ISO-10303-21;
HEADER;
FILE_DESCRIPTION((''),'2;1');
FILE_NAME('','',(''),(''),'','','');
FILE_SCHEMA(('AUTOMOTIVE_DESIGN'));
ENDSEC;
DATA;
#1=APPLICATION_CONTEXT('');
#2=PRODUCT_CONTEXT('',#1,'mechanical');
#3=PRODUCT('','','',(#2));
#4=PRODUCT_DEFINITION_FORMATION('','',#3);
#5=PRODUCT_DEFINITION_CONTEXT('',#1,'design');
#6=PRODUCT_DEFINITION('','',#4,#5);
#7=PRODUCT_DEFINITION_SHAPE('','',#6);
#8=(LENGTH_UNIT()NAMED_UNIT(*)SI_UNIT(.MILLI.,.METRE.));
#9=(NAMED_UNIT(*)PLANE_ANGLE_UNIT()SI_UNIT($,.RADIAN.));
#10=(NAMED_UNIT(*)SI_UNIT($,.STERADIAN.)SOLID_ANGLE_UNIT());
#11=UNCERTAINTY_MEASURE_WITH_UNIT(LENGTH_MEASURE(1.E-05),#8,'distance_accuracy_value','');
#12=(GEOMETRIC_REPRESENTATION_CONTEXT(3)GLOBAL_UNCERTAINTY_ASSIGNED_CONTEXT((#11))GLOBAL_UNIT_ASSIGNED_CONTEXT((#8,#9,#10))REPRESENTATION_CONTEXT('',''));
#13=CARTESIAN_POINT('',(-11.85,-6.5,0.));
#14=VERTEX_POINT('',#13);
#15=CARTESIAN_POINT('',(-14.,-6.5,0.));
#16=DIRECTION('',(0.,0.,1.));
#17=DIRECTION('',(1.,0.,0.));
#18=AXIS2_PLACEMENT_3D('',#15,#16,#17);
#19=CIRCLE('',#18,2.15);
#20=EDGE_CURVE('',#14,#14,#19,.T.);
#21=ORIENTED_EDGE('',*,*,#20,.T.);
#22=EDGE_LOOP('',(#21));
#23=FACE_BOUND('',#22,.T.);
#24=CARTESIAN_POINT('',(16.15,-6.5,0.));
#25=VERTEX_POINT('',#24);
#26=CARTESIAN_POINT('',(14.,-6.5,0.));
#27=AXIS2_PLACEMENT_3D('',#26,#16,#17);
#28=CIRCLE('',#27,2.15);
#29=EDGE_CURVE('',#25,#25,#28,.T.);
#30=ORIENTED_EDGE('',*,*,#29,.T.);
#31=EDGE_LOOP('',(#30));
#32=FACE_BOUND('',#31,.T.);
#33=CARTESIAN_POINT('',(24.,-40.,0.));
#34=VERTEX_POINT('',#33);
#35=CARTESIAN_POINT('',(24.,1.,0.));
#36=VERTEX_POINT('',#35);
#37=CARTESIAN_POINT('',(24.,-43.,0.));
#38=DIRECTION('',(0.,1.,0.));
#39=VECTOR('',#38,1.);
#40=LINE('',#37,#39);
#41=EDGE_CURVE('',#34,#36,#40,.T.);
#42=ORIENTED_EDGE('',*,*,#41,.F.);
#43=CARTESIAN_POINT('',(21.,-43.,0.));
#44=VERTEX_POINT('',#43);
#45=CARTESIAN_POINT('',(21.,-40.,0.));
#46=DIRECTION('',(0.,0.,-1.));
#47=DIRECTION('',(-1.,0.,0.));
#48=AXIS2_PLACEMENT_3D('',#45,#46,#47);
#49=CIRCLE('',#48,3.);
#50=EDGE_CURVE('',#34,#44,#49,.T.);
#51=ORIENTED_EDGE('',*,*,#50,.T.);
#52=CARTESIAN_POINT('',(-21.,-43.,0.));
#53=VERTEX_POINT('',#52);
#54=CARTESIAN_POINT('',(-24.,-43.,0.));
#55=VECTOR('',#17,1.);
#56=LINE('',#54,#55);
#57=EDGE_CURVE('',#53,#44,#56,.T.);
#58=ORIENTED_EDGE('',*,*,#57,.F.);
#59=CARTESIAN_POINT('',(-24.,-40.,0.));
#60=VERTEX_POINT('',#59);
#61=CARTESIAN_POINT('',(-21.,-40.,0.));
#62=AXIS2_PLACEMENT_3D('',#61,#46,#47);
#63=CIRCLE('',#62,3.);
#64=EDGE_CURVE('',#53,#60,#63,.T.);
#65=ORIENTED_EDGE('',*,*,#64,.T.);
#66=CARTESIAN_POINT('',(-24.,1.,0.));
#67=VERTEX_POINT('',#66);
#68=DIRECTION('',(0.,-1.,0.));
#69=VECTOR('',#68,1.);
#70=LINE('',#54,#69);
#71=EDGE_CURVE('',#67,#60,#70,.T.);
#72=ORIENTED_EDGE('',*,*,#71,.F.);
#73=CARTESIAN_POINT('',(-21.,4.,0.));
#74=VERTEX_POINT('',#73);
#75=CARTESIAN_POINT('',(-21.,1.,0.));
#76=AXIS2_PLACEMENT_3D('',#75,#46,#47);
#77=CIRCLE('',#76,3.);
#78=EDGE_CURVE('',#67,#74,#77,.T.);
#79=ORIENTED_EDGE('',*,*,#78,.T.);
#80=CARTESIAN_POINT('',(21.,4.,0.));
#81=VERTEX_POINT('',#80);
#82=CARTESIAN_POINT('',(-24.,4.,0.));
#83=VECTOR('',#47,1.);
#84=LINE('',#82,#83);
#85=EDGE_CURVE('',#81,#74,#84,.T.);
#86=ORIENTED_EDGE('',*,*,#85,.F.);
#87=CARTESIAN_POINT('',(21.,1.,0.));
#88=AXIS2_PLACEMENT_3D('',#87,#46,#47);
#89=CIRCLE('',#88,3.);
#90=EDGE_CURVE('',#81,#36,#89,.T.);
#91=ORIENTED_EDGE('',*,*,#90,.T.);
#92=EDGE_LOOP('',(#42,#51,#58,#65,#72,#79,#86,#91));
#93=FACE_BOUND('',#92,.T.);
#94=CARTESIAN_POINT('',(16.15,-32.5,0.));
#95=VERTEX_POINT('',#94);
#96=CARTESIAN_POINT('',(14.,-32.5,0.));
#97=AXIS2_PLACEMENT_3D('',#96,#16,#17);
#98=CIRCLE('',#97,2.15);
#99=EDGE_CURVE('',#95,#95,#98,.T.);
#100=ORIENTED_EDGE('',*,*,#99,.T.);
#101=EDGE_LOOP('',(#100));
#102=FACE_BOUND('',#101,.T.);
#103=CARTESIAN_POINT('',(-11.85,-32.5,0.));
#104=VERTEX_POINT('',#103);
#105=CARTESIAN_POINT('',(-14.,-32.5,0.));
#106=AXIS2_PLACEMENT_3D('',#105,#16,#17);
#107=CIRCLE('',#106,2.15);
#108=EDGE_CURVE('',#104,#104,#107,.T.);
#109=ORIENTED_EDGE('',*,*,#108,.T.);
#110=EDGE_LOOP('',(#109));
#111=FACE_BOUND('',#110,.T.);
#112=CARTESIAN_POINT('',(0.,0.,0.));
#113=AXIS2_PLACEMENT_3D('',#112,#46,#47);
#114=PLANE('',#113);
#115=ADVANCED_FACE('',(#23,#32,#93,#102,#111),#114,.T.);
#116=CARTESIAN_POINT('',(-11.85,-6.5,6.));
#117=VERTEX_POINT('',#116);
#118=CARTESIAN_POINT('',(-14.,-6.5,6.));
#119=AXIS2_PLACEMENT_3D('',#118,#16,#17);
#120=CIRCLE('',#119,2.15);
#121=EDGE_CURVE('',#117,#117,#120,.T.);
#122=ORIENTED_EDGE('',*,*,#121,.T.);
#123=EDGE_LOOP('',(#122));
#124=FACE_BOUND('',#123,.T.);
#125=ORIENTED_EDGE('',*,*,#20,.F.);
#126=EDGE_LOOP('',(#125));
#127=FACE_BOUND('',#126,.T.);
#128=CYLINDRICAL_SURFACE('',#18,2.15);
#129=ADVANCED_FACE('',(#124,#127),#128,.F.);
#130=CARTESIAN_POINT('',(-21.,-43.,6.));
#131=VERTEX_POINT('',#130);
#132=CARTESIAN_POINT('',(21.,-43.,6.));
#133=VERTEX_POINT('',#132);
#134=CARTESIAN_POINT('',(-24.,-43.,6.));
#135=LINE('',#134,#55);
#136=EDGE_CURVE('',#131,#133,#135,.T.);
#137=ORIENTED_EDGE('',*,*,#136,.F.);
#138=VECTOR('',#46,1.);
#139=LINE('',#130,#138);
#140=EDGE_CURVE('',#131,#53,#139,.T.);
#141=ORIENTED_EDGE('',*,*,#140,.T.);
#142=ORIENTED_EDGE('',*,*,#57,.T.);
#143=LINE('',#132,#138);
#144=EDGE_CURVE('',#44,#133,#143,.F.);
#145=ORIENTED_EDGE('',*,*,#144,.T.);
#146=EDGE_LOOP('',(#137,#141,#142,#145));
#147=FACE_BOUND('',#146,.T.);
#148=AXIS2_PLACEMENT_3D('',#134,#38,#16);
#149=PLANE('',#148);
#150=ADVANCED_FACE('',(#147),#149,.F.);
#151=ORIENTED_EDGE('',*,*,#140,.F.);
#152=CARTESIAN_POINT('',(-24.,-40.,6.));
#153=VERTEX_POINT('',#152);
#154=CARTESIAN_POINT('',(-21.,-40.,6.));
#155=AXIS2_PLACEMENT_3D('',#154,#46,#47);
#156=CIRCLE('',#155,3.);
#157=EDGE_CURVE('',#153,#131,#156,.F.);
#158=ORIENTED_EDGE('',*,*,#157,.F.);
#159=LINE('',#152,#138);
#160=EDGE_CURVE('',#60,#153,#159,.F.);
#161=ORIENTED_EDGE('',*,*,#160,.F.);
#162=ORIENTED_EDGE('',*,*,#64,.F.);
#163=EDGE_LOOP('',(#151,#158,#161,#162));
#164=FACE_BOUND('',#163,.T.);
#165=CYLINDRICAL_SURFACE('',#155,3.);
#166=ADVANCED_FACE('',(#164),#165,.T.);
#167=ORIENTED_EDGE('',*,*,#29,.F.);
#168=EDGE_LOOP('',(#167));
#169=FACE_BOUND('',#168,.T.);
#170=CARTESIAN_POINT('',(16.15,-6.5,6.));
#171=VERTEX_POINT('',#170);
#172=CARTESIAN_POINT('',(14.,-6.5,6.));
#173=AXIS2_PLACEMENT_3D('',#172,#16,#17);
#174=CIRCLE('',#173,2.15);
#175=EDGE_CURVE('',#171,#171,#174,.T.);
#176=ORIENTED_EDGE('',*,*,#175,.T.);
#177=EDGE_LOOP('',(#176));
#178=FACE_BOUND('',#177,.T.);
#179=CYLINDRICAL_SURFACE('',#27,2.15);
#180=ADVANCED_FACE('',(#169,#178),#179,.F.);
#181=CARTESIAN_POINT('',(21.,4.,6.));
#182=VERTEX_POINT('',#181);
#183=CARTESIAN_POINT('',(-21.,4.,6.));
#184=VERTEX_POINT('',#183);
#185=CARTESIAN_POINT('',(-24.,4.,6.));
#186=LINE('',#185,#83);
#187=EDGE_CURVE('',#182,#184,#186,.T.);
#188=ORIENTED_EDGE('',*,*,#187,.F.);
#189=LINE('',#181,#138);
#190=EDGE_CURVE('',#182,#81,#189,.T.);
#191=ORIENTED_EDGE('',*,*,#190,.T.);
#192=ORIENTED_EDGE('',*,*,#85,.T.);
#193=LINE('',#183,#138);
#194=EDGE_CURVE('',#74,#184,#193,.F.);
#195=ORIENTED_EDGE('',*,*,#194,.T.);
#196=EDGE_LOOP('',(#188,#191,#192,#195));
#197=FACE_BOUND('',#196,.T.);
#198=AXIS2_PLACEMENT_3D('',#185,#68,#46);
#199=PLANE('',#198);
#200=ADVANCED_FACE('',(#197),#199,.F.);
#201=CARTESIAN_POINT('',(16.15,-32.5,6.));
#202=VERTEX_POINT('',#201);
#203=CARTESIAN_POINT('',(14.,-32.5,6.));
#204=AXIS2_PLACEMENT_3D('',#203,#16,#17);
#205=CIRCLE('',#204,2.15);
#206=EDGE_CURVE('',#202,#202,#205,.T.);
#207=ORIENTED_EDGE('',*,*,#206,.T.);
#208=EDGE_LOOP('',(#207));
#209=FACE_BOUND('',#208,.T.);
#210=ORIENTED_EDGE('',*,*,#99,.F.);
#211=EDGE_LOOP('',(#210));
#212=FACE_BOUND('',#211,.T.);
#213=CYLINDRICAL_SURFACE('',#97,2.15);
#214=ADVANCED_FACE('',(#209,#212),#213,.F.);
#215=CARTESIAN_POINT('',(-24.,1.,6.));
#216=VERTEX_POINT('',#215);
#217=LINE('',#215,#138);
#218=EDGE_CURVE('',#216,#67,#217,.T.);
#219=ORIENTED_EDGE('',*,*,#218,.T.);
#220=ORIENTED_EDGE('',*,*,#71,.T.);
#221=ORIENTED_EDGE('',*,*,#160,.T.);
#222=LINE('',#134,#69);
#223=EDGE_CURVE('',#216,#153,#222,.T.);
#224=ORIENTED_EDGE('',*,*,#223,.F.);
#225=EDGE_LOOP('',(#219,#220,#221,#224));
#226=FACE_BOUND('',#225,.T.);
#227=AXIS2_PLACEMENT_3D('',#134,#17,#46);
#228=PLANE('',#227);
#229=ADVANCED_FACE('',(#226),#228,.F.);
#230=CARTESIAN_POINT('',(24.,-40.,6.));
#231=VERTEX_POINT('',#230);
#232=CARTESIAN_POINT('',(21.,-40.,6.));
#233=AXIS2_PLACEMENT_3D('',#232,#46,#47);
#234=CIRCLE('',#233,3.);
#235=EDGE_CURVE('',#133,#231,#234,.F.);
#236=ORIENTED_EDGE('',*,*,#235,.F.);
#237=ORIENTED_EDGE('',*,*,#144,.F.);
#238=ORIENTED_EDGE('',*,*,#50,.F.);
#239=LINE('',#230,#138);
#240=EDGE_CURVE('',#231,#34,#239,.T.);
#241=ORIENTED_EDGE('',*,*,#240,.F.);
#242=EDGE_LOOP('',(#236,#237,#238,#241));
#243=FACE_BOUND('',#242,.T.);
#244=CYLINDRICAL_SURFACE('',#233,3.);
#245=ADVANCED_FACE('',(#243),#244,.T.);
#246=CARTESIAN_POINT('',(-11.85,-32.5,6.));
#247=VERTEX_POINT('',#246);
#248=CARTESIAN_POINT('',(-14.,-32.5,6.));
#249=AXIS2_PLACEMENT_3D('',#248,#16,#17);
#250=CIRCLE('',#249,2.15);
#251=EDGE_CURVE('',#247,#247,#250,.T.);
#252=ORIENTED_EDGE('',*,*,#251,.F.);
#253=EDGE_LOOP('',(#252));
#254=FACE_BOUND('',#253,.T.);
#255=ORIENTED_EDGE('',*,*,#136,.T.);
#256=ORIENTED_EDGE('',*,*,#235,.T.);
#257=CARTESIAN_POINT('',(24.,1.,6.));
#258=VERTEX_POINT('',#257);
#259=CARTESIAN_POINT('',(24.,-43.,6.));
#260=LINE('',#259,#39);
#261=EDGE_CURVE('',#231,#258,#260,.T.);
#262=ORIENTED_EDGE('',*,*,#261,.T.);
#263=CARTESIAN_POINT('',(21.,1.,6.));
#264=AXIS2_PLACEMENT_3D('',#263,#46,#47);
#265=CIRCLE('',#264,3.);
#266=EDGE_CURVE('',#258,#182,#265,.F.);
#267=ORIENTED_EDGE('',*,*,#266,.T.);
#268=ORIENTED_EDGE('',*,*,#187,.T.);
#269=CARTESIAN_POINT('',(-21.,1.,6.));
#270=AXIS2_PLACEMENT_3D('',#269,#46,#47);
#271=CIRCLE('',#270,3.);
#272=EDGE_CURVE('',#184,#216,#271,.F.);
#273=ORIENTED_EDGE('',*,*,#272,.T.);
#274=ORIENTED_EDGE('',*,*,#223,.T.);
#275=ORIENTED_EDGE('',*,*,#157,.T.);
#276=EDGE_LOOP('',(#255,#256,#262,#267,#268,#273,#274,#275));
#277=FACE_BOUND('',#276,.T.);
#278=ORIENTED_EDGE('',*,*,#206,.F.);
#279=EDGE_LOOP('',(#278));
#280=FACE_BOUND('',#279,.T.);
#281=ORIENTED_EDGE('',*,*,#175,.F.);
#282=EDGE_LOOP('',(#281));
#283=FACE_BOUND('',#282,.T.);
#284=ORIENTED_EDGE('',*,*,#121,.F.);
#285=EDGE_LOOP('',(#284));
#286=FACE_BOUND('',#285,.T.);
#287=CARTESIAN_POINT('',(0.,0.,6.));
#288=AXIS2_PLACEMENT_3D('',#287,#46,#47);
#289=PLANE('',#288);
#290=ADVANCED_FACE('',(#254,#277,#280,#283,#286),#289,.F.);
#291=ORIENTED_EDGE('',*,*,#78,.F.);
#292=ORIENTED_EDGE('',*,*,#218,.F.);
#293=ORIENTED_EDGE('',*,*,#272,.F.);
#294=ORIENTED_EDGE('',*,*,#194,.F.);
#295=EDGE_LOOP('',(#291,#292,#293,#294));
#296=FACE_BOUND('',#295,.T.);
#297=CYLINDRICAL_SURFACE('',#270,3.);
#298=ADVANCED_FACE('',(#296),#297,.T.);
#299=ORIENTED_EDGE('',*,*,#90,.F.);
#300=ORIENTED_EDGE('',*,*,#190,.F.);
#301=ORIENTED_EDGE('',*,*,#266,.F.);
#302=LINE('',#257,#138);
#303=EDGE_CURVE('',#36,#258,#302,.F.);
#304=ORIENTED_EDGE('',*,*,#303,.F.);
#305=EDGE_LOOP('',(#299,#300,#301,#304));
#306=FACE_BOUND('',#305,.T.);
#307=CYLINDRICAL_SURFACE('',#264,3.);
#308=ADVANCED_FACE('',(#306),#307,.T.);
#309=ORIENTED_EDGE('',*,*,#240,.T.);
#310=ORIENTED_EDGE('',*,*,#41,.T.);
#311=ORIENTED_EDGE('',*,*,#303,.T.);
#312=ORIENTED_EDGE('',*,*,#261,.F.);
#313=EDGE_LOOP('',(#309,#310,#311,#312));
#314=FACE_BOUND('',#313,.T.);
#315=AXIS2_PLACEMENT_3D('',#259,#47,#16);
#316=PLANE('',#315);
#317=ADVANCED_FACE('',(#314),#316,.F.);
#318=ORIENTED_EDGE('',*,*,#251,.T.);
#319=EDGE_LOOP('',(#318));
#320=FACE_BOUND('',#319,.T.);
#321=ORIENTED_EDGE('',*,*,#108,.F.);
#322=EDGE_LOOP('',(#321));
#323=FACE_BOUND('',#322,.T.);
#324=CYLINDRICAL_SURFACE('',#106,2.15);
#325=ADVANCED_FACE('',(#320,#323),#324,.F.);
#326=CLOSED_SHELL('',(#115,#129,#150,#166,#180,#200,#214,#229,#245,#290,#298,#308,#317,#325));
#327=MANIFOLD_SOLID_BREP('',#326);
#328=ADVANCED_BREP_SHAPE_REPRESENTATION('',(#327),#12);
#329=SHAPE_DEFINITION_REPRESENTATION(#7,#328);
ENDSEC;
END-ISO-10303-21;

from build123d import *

# Parameters (mm, degrees)
SKETCH1_W           = 48
SKETCH1_H           = 47
SKETCH1_R           = 1.65
BOSS_EXTRUDE1_DEPTH = 6
SKETCH2_R           = 2.15
CUT_EXTRUDE1_DEPTH  = 7
FILLET1_R           = 3


with BuildPart() as part:
    # Sketch1 → Boss-Extrude1 (new body)
    with BuildSketch(Plane.XY):
        with Locations((0, -19.5)):
            Rectangle(SKETCH1_W, SKETCH1_H)
        with Locations((14, -32.5)):
            Circle(SKETCH1_R, mode=Mode.SUBTRACT)
        with Locations((-14, -32.5)):
            Circle(SKETCH1_R, mode=Mode.SUBTRACT)
        with Locations((-14, -6.5)):
            Circle(SKETCH1_R, mode=Mode.SUBTRACT)
        with Locations((14, -6.5)):
            Circle(SKETCH1_R, mode=Mode.SUBTRACT)
    extrude(amount=BOSS_EXTRUDE1_DEPTH)

    # Sketch2 → Cut-Extrude1 (cut, through all)
    with BuildSketch(Plane.XY.offset(6)):
        with Locations((-14, -6.5)):
            Circle(SKETCH2_R)
        with Locations((14, -6.5)):
            Circle(SKETCH2_R)
        with Locations((-14, -32.5)):
            Circle(SKETCH2_R)
        with Locations((14, -32.5)):
            Circle(SKETCH2_R)
    extrude(amount=-CUT_EXTRUDE1_DEPTH, mode=Mode.SUBTRACT)

    # Fillet1
    fillet1_edges = [part.edges().sort_by_distance(p)[0] for p in [
        (24, -43, 3),
        (-24, -43, 3),
        (-24, 4, 3),
        (24, 4, 3),
    ]]
    fillet(fillet1_edges, radius=FILLET1_R)


solid = part.part
